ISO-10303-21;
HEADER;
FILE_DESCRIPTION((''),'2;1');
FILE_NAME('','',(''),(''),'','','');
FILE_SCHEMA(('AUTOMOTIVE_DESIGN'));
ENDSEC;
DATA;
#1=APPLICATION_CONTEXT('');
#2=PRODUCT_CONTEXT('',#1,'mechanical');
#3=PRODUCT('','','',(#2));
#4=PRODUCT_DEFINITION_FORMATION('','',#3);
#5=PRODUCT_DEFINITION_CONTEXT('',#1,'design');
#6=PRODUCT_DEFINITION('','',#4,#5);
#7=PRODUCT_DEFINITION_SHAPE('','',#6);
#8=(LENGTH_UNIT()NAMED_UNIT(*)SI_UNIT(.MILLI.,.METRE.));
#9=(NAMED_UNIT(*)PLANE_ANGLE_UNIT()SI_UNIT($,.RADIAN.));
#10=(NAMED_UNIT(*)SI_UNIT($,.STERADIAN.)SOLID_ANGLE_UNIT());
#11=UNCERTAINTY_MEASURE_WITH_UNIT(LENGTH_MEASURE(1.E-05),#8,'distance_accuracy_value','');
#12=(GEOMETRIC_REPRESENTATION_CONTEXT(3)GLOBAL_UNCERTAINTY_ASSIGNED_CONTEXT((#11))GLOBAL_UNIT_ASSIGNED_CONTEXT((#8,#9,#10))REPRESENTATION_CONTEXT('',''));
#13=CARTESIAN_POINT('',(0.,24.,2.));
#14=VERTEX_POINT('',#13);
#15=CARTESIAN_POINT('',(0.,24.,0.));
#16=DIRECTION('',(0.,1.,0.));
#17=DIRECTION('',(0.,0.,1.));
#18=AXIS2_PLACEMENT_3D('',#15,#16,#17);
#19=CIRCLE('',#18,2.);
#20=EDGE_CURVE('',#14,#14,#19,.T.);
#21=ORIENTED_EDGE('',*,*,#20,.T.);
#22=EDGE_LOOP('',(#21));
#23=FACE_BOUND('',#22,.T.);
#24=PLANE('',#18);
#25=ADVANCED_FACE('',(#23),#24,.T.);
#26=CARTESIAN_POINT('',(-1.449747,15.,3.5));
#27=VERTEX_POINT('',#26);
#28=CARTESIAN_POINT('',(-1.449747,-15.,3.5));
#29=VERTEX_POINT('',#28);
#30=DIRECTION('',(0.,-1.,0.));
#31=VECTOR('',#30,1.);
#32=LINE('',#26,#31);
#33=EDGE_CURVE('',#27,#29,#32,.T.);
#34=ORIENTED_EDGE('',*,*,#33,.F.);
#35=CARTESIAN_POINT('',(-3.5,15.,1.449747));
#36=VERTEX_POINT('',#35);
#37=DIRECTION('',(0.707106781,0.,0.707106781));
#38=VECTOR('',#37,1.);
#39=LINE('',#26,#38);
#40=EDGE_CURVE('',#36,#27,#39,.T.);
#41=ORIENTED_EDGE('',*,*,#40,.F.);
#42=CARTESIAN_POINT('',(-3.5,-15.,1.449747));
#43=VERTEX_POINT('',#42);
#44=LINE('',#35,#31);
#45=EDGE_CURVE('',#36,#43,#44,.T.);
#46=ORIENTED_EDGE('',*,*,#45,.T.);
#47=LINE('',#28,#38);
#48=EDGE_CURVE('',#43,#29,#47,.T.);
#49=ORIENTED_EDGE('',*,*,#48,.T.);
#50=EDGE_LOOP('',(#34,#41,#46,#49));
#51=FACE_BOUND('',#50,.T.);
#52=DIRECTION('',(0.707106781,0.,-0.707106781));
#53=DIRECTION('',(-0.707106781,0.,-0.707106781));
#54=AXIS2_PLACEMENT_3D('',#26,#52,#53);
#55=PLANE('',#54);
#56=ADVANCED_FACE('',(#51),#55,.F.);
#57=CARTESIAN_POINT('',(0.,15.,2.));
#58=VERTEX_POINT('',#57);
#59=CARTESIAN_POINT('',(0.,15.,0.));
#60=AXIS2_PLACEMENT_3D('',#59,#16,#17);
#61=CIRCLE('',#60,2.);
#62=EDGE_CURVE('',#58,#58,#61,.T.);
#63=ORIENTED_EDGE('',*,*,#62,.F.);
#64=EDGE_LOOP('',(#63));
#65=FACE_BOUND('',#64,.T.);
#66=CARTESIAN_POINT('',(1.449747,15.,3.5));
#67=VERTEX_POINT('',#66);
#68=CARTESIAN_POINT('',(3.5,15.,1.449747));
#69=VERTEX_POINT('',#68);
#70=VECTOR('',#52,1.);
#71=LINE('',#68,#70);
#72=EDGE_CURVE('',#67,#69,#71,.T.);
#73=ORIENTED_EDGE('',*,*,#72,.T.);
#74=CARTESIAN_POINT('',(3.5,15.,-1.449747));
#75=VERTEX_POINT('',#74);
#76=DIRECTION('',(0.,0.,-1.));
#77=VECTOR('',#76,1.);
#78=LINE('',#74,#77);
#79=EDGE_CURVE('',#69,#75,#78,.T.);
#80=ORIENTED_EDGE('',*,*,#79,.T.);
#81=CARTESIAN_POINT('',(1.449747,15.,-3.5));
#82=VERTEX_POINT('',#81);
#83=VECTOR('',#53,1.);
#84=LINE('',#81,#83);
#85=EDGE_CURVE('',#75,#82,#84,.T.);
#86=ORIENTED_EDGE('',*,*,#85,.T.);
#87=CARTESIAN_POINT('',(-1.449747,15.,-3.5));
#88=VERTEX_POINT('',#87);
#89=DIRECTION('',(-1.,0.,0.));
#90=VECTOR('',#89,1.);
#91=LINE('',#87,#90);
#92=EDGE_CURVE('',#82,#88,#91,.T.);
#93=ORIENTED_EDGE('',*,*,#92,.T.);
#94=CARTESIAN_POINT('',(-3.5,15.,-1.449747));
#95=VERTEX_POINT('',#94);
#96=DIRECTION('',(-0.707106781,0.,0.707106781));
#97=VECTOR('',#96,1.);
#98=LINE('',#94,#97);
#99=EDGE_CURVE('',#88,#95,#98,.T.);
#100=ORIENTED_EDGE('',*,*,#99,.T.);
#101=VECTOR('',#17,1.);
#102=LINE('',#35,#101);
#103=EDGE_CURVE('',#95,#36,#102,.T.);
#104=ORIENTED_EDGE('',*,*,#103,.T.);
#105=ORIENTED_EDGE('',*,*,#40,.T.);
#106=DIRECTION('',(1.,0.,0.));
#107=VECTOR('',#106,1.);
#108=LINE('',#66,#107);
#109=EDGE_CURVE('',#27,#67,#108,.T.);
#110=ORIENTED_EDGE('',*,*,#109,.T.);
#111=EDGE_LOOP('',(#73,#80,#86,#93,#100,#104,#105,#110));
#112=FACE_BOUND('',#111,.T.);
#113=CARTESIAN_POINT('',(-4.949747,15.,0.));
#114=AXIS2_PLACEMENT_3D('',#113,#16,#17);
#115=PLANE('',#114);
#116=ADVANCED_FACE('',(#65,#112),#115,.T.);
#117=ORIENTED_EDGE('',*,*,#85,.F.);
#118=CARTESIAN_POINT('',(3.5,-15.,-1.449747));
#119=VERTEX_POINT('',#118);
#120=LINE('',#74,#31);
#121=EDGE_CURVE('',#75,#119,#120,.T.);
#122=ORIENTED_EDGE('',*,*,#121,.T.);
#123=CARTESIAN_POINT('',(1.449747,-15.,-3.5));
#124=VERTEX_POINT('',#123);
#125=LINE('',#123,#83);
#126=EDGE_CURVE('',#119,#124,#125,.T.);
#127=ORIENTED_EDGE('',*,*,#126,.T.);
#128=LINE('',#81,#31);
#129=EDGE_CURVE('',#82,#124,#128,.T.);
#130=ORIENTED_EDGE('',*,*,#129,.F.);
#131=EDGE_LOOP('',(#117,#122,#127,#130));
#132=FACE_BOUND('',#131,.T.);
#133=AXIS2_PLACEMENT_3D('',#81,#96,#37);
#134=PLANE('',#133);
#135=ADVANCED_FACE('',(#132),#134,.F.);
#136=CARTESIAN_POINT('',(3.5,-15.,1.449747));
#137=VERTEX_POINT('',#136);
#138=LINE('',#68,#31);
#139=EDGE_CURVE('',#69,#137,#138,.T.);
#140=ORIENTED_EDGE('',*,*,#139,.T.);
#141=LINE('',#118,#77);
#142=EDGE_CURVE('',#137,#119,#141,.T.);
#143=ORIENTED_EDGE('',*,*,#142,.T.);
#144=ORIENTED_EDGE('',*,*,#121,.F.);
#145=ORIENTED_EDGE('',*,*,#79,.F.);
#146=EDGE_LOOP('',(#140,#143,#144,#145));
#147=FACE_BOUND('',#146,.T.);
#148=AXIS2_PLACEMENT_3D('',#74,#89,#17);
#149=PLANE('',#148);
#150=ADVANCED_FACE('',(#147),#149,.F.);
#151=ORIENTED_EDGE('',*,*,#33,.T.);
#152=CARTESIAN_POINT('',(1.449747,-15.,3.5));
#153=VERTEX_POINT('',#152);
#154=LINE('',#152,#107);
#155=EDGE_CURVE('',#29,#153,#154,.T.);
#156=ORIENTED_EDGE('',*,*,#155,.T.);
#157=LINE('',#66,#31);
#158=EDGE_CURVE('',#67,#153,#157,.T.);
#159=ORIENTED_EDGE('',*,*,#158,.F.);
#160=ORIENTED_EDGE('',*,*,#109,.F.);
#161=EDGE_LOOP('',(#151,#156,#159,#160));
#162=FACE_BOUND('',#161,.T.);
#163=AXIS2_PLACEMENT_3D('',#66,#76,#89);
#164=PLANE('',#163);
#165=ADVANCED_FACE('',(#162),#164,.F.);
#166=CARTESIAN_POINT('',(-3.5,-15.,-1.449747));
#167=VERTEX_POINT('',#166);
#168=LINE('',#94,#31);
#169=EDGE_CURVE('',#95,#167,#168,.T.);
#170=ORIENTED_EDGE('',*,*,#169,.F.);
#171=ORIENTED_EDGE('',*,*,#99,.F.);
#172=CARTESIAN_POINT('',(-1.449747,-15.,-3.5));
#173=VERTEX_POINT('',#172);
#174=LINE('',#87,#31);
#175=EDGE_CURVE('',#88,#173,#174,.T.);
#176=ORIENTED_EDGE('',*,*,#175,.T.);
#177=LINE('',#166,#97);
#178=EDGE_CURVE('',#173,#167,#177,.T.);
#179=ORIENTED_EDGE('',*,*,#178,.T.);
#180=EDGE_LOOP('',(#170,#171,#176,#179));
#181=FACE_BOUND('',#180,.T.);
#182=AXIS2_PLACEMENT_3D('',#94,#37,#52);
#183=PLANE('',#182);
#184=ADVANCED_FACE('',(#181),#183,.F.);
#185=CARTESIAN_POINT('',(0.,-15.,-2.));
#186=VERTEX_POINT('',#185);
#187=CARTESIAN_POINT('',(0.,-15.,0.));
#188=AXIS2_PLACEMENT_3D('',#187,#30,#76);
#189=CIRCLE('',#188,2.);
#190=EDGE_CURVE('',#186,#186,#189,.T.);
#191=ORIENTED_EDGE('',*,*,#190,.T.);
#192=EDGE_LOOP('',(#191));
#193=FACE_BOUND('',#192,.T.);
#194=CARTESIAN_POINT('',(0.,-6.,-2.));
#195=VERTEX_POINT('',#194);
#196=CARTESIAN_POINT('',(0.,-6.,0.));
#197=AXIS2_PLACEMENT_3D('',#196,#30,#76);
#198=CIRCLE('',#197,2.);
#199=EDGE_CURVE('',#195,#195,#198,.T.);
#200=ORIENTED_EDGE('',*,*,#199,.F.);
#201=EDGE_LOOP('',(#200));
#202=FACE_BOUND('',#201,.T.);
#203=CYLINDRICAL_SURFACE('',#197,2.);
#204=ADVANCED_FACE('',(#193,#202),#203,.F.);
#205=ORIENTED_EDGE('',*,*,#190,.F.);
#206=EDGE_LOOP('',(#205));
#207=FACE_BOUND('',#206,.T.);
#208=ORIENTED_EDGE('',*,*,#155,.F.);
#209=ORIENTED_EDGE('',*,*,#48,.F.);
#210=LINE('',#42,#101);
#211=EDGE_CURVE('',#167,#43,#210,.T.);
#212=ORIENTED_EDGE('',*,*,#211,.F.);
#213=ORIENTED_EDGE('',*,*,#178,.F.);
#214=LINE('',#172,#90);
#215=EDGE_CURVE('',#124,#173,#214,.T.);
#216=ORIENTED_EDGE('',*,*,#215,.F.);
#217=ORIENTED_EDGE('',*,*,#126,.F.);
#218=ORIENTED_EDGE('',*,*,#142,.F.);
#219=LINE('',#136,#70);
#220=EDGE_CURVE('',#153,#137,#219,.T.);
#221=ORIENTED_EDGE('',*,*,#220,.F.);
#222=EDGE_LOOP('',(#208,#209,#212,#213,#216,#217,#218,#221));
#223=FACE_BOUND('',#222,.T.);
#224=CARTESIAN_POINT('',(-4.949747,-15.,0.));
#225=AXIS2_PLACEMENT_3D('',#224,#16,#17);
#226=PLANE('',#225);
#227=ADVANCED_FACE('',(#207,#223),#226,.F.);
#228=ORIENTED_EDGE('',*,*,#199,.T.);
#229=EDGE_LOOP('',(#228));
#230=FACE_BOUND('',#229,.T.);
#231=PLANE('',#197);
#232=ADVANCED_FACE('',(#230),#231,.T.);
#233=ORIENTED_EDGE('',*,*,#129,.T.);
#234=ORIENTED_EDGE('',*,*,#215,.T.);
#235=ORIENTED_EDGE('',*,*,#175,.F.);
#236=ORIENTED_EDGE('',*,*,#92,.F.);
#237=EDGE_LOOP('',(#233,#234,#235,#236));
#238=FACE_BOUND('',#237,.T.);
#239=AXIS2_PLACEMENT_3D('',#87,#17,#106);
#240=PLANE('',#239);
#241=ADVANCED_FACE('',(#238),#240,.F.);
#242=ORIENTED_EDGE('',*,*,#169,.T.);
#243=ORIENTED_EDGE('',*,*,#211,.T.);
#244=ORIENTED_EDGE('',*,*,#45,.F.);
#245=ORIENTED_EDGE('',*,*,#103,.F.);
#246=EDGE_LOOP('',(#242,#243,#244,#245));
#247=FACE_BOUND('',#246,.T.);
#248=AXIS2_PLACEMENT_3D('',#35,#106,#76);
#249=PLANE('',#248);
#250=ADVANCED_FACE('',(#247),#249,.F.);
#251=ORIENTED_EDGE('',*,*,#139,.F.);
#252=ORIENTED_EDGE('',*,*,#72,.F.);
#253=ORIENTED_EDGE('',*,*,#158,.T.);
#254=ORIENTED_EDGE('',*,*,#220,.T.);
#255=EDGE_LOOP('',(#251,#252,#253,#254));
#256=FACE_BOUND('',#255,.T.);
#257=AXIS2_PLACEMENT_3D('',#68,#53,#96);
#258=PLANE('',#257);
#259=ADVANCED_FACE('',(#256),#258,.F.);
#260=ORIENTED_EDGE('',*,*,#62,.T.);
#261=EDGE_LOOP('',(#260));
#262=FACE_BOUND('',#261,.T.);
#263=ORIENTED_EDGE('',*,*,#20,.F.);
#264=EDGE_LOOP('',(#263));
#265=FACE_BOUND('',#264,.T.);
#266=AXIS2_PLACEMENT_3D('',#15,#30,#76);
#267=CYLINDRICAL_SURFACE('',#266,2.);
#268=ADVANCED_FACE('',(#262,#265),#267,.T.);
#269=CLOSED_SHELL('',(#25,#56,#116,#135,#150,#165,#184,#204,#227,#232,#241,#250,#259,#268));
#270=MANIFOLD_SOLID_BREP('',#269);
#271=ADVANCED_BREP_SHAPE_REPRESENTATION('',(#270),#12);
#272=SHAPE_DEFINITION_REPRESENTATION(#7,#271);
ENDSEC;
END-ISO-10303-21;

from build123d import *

# Parameters (mm, degrees)
EXTRUSION1_DEPTH        = 15
ESQUISSE2_R             = 2
EXTRUSION2_DEPTH        = 9
ESQUISSE3_R             = 2
ENL_V_MAT_EXTRU_1_DEPTH = 9


with BuildPart() as part:
    # Esquisse1 → Extrusion1 (new, symmetric)
    with BuildSketch(Plane(origin=(0, 0, 0), x_dir=(1, 0, 0), z_dir=(0, 1, 0))):
        Polygon((-1.449747468, 3.5), (1.449747468, 3.5), (3.5, 1.449747468), (3.5, -1.449747468), (1.449747468, -3.5), (-1.449747468, -3.5), (-3.5, -1.449747468), (-3.5, 1.449747468), align=None)
    extrude(amount=EXTRUSION1_DEPTH, both=True)

    # Esquisse2 → Extrusion2 (add)
    with BuildSketch(Plane(origin=(0, 15, 0), x_dir=(1, 0, 0), z_dir=(0, 1, 0))):
        with Locations(Location((0, 0, 0), (0, 0, 270))):
            Circle(ESQUISSE2_R)
    extrude(amount=EXTRUSION2_DEPTH)

    # Esquisse3 → Enlèv. mat.-Extru.1 (cut)
    with BuildSketch(Plane.XZ.offset(15)):
        with Locations(Location((0, 0, 0), (0, 0, 90))):
            Circle(ESQUISSE3_R)
    extrude(amount=-ENL_V_MAT_EXTRU_1_DEPTH, mode=Mode.SUBTRACT)


solid = part.part
